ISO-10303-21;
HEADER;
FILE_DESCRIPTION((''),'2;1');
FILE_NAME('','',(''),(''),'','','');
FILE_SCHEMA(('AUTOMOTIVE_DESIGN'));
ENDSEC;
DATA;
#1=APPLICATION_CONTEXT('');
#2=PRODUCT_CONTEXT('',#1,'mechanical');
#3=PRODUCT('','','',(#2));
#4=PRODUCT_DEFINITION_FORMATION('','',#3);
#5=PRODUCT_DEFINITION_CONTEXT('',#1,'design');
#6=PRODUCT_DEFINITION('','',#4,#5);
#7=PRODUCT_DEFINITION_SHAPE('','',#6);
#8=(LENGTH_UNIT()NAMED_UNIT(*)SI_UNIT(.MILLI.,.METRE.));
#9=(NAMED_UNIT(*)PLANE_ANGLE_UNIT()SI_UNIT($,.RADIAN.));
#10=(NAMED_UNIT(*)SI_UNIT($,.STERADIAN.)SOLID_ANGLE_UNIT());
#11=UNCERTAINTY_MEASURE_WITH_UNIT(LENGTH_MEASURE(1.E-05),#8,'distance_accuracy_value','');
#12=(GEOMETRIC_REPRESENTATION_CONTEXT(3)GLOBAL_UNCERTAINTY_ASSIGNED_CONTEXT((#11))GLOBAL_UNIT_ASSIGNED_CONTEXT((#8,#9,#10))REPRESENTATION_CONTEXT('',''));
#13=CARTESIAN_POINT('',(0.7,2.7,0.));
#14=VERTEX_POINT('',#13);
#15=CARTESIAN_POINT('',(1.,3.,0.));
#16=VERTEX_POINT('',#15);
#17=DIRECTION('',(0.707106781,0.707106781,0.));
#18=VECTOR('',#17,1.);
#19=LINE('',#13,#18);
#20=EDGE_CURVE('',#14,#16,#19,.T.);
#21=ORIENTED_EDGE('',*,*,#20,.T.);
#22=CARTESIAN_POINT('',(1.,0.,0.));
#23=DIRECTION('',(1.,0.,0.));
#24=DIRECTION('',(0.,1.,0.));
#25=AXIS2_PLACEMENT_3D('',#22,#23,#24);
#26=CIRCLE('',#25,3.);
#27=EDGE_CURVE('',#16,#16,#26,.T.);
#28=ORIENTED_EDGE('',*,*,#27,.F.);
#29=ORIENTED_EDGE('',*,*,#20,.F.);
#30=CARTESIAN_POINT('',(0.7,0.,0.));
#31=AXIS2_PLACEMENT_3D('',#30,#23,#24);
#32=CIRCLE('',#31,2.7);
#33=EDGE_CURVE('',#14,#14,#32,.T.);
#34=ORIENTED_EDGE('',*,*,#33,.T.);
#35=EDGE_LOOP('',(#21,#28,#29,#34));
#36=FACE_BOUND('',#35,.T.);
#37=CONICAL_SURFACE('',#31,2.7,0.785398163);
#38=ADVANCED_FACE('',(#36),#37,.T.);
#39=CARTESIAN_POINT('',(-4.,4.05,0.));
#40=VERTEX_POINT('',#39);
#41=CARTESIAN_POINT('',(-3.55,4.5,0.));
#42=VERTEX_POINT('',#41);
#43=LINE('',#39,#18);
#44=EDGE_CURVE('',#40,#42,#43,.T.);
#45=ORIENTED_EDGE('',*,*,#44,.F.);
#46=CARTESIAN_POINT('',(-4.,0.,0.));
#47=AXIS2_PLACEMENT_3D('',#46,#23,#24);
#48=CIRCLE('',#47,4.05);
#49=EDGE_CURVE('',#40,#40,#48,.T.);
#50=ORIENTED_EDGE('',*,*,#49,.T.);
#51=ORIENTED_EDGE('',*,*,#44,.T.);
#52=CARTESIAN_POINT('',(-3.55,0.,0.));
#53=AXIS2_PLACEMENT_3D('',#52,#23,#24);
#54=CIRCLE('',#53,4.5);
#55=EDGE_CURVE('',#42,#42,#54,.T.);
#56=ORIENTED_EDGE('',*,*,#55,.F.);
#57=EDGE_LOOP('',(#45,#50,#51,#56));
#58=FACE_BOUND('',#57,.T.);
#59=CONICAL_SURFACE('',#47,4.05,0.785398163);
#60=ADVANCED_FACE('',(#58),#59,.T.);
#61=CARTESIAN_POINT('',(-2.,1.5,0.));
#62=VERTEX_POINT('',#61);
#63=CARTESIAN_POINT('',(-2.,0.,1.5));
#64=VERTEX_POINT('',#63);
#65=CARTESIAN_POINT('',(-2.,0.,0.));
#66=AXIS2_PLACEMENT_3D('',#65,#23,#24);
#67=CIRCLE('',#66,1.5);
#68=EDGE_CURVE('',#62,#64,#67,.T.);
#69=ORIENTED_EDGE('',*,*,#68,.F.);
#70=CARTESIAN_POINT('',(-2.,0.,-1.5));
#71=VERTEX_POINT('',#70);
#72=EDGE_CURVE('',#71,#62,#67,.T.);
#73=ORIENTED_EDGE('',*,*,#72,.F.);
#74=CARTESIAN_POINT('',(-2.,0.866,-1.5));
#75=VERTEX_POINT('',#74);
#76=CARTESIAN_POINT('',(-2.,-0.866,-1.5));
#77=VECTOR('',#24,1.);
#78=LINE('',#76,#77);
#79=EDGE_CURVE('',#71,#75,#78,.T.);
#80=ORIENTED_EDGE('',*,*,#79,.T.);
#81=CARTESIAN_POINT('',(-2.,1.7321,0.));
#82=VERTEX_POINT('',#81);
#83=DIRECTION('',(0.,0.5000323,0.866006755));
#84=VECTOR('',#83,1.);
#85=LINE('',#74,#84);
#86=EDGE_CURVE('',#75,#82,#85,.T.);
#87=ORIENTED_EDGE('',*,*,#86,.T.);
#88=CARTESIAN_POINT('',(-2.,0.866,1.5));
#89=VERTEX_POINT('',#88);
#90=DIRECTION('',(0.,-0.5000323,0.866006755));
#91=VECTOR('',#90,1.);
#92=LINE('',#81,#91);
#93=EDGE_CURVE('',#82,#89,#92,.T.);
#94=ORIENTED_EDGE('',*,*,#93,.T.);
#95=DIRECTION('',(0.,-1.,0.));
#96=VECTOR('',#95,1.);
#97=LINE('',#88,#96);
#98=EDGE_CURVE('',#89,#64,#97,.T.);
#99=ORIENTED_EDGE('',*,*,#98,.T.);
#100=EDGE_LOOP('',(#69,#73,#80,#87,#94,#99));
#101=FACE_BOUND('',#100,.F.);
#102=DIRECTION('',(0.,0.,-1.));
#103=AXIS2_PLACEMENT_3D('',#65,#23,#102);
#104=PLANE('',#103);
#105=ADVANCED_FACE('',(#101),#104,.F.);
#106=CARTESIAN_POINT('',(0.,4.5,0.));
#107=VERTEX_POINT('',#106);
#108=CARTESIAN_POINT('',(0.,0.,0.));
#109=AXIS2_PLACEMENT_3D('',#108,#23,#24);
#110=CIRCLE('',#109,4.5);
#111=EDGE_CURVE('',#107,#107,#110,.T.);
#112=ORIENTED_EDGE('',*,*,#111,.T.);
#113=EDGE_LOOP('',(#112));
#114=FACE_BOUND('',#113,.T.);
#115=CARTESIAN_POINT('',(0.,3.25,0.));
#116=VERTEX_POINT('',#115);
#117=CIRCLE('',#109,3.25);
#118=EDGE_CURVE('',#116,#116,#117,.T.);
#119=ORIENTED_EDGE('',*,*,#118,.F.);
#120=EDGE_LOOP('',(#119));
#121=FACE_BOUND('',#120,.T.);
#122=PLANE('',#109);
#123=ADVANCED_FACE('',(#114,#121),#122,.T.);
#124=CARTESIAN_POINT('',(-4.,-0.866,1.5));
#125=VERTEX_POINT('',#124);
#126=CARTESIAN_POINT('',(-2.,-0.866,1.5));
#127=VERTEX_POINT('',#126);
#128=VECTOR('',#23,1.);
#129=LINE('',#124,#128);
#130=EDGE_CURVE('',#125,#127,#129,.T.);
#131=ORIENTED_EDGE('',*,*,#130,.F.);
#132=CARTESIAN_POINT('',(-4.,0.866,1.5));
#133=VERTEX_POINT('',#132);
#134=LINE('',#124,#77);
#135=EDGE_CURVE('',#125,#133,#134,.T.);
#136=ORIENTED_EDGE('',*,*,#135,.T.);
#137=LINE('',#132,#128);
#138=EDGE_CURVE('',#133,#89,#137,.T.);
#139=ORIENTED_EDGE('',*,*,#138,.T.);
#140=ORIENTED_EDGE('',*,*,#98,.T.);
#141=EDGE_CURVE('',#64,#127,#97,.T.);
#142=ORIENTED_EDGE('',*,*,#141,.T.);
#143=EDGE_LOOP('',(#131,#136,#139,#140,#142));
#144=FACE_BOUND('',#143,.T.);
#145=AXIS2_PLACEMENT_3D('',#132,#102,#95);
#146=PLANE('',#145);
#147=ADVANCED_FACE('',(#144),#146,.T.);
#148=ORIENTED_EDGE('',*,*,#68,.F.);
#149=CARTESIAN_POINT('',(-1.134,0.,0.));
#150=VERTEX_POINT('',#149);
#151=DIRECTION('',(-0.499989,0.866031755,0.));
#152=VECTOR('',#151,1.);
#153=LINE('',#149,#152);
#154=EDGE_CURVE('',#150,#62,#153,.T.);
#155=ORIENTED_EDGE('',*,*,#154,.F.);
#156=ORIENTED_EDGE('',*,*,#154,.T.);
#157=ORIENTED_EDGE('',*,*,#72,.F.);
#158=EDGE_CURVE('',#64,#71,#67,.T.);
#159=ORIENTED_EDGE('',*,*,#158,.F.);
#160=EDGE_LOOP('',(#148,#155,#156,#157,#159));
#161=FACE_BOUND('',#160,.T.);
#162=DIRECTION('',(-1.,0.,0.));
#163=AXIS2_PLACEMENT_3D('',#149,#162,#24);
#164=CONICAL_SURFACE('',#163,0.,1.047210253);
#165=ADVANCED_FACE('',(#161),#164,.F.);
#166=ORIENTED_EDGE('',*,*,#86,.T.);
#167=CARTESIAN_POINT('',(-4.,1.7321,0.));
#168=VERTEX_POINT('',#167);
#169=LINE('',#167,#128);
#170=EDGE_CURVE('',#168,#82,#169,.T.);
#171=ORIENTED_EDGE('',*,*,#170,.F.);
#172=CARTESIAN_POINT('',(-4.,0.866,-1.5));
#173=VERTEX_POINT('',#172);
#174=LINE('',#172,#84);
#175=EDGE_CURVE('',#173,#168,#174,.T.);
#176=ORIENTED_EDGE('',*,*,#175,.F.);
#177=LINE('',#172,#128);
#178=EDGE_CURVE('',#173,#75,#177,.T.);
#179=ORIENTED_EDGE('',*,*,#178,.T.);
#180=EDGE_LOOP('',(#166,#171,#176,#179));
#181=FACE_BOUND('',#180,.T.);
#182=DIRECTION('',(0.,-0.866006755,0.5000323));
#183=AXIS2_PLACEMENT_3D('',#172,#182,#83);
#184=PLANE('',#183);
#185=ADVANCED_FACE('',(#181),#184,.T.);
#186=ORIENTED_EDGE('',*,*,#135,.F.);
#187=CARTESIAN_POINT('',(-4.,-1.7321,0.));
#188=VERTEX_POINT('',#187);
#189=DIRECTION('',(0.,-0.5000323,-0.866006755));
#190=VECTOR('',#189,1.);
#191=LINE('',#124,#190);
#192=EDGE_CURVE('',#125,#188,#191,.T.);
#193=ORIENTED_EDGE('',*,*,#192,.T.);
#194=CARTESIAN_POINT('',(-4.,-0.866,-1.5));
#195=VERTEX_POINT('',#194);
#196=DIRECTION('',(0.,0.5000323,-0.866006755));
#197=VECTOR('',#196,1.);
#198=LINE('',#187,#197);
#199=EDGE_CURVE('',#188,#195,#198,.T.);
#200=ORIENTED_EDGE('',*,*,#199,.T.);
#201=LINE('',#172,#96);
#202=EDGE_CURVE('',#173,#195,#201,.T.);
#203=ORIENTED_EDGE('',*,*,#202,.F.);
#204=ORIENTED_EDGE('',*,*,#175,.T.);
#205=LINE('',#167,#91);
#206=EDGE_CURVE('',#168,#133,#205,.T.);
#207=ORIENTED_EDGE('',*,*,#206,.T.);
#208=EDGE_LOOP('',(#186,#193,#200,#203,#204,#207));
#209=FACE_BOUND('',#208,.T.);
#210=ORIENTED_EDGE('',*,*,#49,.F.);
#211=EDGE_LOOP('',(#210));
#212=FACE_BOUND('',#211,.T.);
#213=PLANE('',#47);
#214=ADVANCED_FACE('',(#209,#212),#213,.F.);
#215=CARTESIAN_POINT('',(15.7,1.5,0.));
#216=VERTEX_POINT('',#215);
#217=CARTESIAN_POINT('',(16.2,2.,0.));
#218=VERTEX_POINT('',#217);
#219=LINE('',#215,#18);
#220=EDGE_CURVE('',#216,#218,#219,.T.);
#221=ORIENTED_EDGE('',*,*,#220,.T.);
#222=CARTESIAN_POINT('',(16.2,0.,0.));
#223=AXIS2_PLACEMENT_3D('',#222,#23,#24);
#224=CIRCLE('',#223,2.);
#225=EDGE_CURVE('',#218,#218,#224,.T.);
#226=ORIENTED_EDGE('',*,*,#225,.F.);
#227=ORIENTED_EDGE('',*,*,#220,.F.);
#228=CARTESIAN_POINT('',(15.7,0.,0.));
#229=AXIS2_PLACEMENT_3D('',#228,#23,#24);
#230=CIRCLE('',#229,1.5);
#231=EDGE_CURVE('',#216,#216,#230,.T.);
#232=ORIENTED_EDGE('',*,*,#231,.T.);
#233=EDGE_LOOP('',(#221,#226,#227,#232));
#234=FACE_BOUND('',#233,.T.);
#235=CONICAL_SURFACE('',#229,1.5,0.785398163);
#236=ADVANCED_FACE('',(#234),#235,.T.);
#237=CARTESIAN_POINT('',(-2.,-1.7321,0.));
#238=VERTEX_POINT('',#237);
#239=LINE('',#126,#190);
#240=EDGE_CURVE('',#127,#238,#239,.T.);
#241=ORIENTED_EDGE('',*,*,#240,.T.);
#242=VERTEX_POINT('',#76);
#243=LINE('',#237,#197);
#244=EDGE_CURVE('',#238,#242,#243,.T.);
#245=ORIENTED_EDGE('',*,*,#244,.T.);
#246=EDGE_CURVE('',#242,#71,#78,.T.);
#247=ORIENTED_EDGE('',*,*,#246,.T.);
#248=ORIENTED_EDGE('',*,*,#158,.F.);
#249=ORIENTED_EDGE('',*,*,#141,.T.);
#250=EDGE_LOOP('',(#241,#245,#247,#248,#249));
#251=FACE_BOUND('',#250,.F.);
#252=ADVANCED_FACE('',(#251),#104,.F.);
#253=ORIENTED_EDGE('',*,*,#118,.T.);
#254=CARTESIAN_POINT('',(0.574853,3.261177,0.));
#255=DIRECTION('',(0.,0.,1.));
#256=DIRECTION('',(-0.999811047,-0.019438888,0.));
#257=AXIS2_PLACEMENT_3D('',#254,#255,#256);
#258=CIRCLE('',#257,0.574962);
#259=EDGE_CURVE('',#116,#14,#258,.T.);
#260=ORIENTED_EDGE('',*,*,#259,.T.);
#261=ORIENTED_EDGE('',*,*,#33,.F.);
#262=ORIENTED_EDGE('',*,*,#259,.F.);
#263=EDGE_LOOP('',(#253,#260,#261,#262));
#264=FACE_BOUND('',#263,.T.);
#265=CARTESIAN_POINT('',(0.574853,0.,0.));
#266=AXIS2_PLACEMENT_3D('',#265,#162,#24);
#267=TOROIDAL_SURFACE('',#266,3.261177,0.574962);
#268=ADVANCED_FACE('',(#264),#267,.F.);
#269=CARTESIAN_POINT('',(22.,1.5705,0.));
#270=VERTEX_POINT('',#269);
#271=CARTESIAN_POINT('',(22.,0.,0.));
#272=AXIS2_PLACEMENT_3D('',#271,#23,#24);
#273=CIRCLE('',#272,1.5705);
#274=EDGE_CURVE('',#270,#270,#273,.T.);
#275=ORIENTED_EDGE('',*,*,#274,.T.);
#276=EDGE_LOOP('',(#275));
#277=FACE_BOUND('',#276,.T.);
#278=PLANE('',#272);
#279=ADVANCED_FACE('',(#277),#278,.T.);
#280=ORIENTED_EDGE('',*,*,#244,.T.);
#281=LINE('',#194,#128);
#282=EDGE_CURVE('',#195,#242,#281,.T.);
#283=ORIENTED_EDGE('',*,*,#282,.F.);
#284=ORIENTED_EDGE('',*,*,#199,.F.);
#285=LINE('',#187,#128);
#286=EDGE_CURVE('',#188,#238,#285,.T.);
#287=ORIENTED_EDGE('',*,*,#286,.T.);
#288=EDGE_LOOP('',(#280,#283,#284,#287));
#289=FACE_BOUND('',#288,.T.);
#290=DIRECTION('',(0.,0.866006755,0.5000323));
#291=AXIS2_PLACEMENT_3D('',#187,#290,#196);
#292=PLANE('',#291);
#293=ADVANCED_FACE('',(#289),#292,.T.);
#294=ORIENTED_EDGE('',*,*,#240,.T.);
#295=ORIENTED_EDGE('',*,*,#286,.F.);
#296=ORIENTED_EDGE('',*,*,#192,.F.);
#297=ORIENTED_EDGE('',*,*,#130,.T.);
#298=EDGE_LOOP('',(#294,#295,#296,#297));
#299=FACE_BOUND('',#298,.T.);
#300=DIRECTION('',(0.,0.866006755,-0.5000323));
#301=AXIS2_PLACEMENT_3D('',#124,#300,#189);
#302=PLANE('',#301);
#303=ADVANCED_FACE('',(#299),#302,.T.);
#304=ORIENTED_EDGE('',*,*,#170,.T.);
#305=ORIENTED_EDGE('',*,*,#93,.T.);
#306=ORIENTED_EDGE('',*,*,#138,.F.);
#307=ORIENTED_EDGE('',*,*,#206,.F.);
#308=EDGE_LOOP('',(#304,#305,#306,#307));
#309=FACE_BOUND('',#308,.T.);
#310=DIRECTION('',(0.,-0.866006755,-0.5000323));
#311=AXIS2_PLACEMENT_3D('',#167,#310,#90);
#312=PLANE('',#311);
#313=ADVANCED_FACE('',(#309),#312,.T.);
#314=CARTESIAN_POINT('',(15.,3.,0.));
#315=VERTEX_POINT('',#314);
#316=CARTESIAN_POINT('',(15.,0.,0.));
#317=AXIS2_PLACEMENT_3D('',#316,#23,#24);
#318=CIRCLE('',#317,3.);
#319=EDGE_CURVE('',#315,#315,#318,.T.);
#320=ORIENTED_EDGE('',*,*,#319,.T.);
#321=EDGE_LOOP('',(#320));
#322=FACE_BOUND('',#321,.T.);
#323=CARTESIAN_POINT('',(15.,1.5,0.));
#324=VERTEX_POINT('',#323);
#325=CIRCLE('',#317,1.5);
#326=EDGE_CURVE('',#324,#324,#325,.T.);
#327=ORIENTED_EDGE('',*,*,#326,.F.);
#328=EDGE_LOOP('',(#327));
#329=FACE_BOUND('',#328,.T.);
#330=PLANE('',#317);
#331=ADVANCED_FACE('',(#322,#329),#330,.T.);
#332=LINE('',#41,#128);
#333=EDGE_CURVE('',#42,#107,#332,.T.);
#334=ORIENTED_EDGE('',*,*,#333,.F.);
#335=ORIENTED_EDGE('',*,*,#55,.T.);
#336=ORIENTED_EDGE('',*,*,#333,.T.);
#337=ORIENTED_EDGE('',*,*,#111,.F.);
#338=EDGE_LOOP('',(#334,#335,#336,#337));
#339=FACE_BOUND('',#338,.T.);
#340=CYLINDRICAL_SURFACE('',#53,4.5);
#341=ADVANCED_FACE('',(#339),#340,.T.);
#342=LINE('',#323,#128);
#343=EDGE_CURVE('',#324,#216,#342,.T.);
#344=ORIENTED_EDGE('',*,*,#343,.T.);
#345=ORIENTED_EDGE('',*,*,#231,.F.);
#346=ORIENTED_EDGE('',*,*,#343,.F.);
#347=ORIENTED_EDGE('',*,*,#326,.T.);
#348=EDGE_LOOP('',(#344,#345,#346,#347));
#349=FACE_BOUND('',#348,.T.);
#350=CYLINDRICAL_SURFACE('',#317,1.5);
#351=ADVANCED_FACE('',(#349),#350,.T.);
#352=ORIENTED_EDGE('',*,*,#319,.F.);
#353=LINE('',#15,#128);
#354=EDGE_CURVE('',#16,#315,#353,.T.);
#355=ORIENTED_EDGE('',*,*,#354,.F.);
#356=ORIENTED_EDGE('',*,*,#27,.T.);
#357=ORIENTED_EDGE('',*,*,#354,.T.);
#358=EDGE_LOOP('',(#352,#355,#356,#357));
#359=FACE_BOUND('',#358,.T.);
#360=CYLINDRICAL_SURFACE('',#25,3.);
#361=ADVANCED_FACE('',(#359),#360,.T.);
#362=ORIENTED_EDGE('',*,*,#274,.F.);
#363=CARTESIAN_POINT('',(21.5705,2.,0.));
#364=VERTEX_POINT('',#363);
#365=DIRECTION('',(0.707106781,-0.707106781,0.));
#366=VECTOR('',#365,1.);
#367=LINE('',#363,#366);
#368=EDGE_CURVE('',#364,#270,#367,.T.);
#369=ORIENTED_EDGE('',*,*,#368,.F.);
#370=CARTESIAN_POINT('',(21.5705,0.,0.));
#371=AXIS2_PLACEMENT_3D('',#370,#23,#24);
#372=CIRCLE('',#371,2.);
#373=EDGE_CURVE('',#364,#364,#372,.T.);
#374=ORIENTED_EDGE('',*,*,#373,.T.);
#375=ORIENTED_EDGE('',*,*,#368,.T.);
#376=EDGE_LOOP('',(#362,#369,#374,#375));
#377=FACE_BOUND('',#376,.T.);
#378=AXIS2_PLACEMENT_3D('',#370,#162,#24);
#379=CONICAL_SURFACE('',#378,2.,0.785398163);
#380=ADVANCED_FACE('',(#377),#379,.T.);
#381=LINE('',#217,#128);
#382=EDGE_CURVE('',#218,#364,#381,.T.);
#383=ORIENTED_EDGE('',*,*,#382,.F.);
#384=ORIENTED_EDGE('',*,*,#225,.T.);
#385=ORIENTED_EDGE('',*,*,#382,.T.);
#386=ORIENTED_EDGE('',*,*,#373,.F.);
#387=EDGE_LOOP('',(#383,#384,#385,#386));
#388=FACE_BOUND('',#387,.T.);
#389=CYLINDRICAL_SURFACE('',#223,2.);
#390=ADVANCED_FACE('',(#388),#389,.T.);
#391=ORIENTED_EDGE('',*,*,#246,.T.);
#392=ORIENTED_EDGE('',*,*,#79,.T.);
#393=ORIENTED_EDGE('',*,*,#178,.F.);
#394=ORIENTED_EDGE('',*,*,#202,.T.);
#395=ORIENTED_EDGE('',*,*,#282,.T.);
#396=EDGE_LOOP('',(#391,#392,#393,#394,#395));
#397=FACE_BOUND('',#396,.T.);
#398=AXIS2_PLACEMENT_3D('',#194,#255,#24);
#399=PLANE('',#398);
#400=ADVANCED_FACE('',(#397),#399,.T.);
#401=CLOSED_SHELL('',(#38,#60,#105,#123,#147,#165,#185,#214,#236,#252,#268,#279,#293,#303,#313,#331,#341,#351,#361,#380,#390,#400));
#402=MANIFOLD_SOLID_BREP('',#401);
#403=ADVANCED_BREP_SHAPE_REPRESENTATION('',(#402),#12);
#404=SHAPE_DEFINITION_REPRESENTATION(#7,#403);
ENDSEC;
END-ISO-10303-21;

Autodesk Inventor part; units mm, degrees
ref_plane "YZ Plane" through (0, 0, 0) normal (1, 0, 0) x (0, 1, 0)
ref_plane "XZ Plane" through (0, 0, 0) normal (0, 1, 0) x (-1, 0, 0)
ref_plane "XY Plane" through (0, 0, 0) normal (0, 0, 1) x (1, 0, 0)
sketch "Sketch_7" plane through (0, 0, 0) normal (0, 0, 1) x (1, 0, 0)
  line L0 (22, 0) -> (-1.134, 0)
  line L1 (-1.134, 0) -> (-2, 1.5)
  line L2 (-2, 1.5) -> (-4, 1.5)
  line L3 (-4, 1.5) -> (-4, 4.05)
  line L4 (-4, 4.05) -> (-3.55, 4.5)
  line L5 (-3.55, 4.5) -> (0, 4.5)
  line L6 (0, 4.5) -> (0, 3.25)
  arc A0 (0, 3.25) -> (0.7, 2.7) centre (0.5749, 3.2612) ccw
  line L7 (0.7, 2.7) -> (1, 3)
  line L8 (1, 3) -> (15, 3)
  line L9 (15, 3) -> (15, 1.5)
  line L10 (15, 1.5) -> (15.7, 1.5)
  line L11 (15.7, 1.5) -> (16.2, 2)
  line L12 (16.2, 2) -> (21.5705, 2)
  line L13 (21.5705, 2) -> (22, 1.5705)
  line L14 (22, 1.5705) -> (22, 0)
  line L15 (22, 0) -> (-1.134, 0)
revolve "Revolution1" add sketch "Sketch_7" angle 360 about axis through (22, 0, 0) along (1, 0, 0)
thread "Thread1" size "M4x0.7" class "6g" standard "ISO Metric profile" full length
sketch "Sketch_4" plane through (-4, 0, 0) normal (1, 0, 0) x (0, 0, -1)
  line L0 (-1.5, -0.866) -> (0, -1.7321)
  line L1 (0, -1.7321) -> (1.5, -0.866)
  line L2 (1.5, -0.866) -> (1.5, 0.866)
  line L3 (1.5, 0.866) -> (0, 1.7321)
  line L4 (0, 1.7321) -> (-1.5, 0.866)
  line L5 (-1.5, 0.866) -> (-1.5, -0.866)
extrude "Extrusion1" cut sketch "Sketch_4" along normal blind 2
properties part number "MSB6-15" material "鋼、炭素鋼"
